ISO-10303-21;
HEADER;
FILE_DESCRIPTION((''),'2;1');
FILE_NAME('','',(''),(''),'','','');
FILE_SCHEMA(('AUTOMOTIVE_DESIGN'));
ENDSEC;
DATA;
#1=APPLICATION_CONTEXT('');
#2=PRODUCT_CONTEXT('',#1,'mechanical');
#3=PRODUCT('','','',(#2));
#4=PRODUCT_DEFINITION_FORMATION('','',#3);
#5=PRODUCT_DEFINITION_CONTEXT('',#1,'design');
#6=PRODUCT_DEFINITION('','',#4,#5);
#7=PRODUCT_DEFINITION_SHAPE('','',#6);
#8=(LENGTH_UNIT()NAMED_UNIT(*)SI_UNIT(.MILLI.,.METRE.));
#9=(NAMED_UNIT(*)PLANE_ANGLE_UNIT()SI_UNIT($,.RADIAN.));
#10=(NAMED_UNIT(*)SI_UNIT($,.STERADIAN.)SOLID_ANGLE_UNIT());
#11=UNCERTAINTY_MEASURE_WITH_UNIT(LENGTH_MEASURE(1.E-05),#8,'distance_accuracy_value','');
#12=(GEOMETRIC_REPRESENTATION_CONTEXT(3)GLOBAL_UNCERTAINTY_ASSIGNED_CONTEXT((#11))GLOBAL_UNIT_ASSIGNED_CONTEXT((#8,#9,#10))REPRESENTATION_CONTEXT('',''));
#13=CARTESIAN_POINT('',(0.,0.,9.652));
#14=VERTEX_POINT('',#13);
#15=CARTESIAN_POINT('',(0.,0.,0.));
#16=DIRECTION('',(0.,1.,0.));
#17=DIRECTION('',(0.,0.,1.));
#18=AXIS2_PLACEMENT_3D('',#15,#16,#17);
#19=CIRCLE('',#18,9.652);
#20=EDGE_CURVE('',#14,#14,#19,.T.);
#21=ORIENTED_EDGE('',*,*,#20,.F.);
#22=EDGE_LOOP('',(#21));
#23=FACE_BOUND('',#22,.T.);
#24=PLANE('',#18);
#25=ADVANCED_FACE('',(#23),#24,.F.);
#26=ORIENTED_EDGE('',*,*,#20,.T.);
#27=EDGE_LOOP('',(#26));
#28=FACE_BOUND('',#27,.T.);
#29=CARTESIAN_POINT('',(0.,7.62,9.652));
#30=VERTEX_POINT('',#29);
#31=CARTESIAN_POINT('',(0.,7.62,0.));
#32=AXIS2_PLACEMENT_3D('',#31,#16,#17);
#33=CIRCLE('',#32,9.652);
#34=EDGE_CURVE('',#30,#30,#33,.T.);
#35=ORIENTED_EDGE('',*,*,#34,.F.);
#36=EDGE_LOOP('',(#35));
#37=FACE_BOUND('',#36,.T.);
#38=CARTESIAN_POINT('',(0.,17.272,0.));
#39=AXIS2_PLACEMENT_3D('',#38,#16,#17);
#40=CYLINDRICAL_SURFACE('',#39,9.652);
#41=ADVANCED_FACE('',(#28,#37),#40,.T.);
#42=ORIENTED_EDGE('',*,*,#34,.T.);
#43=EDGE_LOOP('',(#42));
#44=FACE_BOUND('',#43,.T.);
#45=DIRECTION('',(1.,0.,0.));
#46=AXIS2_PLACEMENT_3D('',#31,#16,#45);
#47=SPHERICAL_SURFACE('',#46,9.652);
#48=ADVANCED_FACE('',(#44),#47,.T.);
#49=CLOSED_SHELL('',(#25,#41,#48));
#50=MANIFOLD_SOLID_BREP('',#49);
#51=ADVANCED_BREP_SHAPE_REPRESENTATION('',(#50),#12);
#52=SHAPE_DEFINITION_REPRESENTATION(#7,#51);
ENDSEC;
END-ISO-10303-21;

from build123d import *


with BuildPart() as part:
    # Çizim1 → Döndür1 (revolve)
    with BuildSketch(Plane.XY):
        with BuildLine():
            Line((0, 17.272), (0, 7.62))
            Line((0, 7.62), (0, 0))
            Line((0, 0), (9.652, 0))
            Line((9.652, 0), (9.652, 7.62))
            ThreePointArc((9.652, 7.62), (6.824994652, 14.444994652), (0, 17.272))
        make_face()
    revolve(axis=Axis((0, 17.272, 0), (0, -1, 0)))


solid = part.part
